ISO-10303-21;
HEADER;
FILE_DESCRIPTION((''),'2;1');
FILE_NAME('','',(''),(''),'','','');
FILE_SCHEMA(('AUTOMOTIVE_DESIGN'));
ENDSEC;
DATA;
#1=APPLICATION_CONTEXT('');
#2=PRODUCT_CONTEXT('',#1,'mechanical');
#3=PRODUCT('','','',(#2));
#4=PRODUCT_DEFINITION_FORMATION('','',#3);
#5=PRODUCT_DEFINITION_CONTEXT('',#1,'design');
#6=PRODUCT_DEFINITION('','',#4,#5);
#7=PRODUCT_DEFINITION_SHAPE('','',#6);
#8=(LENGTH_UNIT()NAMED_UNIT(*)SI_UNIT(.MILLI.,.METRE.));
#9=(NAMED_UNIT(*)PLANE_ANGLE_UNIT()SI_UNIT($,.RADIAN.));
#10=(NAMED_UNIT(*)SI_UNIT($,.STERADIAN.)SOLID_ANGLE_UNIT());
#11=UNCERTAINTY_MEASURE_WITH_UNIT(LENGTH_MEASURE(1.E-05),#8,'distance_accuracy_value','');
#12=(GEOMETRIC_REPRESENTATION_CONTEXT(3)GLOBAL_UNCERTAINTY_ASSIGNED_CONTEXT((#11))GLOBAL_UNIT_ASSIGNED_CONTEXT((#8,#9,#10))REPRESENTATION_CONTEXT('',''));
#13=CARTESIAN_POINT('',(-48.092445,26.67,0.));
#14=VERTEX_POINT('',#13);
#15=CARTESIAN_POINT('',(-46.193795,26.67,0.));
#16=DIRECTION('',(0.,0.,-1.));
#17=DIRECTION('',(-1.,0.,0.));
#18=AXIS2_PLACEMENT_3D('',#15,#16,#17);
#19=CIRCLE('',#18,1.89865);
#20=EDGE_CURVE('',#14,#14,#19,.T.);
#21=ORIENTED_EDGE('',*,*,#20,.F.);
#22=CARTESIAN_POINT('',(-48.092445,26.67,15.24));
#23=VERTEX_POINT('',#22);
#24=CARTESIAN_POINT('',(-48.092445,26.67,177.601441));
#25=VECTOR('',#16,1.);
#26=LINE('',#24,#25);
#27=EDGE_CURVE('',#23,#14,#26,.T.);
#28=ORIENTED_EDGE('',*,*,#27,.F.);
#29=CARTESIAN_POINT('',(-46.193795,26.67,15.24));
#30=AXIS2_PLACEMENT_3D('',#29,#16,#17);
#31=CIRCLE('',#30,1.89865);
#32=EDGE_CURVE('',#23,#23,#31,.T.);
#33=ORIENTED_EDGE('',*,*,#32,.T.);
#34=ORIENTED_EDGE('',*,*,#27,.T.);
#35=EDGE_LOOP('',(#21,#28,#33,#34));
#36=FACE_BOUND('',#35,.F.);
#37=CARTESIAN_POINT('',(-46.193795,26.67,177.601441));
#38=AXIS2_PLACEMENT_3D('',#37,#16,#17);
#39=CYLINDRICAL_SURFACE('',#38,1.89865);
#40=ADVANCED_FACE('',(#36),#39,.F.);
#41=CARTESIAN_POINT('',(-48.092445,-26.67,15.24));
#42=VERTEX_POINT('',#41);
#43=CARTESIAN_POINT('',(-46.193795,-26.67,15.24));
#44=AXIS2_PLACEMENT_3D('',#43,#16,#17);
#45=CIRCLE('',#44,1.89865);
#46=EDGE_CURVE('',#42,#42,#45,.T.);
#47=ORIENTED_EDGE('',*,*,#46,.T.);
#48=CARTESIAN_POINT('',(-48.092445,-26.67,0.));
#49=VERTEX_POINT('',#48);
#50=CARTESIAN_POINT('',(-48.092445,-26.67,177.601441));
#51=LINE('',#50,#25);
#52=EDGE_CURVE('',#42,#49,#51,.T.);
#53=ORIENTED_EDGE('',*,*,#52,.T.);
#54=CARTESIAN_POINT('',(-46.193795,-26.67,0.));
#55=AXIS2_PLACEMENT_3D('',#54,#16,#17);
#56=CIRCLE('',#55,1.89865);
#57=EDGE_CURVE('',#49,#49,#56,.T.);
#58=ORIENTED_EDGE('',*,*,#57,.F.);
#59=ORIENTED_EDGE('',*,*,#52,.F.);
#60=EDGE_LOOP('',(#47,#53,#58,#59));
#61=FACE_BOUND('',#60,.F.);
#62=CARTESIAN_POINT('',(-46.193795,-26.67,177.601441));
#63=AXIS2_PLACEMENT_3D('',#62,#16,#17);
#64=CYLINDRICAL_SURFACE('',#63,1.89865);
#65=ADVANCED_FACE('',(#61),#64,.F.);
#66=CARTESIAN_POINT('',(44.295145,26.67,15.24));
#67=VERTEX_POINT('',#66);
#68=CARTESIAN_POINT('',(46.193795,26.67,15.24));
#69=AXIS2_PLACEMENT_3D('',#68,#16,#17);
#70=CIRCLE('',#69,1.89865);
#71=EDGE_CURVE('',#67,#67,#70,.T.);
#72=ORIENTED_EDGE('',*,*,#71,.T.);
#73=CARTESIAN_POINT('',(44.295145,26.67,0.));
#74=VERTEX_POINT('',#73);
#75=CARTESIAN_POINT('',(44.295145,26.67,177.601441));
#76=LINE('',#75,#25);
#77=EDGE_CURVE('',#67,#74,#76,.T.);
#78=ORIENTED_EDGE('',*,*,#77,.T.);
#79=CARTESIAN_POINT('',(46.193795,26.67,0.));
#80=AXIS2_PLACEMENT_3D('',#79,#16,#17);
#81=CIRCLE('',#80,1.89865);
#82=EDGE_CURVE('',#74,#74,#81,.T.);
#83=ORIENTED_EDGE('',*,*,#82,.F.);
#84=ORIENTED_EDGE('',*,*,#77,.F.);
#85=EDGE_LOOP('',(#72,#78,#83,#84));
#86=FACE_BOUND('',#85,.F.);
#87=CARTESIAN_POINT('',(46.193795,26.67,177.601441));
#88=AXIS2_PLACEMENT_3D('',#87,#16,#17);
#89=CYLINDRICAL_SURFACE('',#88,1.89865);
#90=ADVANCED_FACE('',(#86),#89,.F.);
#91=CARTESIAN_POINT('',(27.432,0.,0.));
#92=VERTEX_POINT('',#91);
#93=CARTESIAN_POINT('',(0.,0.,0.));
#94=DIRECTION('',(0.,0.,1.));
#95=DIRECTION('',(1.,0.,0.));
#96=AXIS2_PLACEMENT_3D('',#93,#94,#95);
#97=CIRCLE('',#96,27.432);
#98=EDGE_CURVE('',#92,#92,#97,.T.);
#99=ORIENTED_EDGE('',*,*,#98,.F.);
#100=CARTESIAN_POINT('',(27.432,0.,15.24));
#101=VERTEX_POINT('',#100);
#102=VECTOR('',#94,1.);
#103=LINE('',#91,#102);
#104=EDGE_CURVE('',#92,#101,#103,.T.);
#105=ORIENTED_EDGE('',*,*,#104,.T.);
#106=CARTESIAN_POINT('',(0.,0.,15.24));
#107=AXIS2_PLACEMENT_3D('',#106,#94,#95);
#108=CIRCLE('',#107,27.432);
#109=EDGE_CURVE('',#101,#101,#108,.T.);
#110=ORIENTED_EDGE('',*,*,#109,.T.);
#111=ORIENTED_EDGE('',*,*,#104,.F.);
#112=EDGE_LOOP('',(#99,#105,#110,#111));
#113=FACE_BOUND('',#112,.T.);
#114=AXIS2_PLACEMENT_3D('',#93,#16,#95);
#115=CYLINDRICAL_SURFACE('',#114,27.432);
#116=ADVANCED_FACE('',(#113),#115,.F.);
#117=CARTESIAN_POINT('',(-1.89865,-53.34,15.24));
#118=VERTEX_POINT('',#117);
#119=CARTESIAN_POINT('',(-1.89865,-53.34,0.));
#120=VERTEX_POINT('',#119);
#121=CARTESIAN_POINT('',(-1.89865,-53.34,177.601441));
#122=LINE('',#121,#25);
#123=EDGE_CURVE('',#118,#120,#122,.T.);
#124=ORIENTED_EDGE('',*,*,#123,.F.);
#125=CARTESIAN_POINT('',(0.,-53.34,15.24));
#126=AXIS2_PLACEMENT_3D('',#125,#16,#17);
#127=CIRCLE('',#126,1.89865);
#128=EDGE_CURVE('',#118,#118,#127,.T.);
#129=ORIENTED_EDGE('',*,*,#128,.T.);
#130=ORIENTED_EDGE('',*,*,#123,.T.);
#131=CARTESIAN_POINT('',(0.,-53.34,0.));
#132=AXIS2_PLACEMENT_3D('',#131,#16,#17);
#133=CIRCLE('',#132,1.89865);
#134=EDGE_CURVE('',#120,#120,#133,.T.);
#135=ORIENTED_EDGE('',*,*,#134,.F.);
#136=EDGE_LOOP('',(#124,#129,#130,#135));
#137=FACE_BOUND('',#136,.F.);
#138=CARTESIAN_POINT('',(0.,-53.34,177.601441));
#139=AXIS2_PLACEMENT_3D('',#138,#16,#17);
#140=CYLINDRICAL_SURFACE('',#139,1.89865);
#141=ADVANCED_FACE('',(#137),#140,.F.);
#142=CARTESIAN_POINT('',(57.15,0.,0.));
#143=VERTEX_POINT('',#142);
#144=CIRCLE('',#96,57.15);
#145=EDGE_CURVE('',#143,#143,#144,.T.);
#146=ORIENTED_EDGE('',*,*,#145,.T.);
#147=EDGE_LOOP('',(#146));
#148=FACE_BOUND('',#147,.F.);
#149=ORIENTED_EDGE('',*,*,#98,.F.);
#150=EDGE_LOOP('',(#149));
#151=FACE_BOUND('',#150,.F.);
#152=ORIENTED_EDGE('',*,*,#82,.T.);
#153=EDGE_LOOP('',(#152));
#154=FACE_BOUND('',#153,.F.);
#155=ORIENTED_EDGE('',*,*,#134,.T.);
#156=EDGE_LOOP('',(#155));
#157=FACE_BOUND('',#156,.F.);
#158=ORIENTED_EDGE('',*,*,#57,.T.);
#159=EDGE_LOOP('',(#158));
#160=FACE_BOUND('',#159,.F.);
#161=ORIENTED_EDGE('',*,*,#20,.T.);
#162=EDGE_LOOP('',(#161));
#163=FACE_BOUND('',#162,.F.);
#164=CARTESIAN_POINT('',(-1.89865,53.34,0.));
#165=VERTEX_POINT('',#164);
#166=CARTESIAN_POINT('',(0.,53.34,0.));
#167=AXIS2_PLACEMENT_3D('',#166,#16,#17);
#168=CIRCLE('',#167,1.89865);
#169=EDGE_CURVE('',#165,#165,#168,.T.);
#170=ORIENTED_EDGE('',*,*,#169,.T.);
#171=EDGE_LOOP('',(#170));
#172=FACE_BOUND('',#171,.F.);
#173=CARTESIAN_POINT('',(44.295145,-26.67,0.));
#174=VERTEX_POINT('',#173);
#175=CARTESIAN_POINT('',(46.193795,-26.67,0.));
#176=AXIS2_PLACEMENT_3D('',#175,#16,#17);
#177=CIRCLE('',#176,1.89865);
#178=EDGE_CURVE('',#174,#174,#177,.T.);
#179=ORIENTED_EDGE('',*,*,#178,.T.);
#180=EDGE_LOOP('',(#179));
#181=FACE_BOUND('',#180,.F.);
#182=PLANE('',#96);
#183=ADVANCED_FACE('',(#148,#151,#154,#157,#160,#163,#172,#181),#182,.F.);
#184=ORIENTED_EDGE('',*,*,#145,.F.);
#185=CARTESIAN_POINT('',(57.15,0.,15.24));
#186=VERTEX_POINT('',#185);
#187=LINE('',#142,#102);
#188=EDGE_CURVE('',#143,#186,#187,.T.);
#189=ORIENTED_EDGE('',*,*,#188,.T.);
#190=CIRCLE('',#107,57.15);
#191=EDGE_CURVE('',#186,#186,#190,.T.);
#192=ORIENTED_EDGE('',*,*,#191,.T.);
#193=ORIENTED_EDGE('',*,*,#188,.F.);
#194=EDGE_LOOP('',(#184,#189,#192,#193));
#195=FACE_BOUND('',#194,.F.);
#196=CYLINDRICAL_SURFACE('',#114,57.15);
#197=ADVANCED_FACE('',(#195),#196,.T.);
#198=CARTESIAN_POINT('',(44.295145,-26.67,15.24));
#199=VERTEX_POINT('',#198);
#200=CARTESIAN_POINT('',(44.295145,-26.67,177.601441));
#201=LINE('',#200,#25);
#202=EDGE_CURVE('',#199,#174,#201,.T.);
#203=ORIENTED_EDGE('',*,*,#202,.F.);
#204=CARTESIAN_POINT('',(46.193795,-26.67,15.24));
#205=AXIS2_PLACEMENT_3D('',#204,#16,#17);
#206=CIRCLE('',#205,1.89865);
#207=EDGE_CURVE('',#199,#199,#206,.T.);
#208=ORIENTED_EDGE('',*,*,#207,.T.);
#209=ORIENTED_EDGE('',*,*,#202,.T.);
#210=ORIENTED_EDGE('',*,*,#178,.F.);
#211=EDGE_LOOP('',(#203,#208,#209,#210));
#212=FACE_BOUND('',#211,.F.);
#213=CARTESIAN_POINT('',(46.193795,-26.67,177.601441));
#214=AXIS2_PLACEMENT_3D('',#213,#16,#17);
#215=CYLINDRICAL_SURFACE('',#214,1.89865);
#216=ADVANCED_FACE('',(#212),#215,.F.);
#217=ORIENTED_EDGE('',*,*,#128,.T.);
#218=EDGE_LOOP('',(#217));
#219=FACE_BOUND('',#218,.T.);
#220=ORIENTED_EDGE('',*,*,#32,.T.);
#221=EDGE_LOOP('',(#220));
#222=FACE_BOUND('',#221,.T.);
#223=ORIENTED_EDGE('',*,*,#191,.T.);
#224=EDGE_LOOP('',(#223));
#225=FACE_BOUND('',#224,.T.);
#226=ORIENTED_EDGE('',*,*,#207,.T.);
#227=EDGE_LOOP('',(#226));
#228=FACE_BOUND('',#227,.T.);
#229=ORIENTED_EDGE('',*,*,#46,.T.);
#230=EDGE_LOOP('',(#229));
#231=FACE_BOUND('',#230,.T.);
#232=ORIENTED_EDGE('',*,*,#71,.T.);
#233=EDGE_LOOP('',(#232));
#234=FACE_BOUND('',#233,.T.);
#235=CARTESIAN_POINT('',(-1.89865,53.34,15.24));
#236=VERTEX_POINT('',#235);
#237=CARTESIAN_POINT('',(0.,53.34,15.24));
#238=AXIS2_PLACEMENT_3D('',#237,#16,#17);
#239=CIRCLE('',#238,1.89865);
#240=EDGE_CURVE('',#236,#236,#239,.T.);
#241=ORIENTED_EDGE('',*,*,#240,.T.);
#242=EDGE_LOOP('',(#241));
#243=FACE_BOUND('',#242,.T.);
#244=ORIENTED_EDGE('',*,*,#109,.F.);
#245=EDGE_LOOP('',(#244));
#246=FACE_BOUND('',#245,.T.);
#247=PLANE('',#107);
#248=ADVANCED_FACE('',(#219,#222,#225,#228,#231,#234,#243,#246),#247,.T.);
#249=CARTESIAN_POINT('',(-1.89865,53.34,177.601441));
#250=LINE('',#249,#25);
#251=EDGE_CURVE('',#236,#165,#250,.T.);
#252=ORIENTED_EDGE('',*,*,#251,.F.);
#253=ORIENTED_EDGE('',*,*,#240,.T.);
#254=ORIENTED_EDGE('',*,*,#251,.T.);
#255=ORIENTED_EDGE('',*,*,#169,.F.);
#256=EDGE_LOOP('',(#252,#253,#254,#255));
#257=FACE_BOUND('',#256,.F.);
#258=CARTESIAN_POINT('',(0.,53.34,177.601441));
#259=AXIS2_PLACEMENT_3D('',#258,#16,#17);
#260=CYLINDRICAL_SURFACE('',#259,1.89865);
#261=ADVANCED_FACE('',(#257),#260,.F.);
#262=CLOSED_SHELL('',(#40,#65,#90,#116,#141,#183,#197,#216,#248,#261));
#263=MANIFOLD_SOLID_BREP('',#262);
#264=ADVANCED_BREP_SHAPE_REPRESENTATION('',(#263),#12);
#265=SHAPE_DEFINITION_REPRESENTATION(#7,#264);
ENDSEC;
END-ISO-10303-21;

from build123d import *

# Parameters (mm, degrees)
F0_R     = 57.15
F0_R_2   = 27.432
F1_DEPTH = 15.24
F3_D     = 3.7973


with BuildPart() as f1:
    # F0 (on Top) → F1 (new body)
    with BuildSketch(Plane.XY):
        Circle(F0_R)
        Circle(F0_R_2, mode=Mode.SUBTRACT)
    extrude(amount=F1_DEPTH)

    # F3 (through all)
    with Locations(Plane.XY.offset(15.24)):
        with Locations((0, -53.34), (46.1937950379, -26.67), (46.1937950379, 26.67), (0, 53.34), (-46.1937950379, 26.67), (-46.1937950379, -26.67)):
            Hole(F3_D / 2)


solid = f1.part
